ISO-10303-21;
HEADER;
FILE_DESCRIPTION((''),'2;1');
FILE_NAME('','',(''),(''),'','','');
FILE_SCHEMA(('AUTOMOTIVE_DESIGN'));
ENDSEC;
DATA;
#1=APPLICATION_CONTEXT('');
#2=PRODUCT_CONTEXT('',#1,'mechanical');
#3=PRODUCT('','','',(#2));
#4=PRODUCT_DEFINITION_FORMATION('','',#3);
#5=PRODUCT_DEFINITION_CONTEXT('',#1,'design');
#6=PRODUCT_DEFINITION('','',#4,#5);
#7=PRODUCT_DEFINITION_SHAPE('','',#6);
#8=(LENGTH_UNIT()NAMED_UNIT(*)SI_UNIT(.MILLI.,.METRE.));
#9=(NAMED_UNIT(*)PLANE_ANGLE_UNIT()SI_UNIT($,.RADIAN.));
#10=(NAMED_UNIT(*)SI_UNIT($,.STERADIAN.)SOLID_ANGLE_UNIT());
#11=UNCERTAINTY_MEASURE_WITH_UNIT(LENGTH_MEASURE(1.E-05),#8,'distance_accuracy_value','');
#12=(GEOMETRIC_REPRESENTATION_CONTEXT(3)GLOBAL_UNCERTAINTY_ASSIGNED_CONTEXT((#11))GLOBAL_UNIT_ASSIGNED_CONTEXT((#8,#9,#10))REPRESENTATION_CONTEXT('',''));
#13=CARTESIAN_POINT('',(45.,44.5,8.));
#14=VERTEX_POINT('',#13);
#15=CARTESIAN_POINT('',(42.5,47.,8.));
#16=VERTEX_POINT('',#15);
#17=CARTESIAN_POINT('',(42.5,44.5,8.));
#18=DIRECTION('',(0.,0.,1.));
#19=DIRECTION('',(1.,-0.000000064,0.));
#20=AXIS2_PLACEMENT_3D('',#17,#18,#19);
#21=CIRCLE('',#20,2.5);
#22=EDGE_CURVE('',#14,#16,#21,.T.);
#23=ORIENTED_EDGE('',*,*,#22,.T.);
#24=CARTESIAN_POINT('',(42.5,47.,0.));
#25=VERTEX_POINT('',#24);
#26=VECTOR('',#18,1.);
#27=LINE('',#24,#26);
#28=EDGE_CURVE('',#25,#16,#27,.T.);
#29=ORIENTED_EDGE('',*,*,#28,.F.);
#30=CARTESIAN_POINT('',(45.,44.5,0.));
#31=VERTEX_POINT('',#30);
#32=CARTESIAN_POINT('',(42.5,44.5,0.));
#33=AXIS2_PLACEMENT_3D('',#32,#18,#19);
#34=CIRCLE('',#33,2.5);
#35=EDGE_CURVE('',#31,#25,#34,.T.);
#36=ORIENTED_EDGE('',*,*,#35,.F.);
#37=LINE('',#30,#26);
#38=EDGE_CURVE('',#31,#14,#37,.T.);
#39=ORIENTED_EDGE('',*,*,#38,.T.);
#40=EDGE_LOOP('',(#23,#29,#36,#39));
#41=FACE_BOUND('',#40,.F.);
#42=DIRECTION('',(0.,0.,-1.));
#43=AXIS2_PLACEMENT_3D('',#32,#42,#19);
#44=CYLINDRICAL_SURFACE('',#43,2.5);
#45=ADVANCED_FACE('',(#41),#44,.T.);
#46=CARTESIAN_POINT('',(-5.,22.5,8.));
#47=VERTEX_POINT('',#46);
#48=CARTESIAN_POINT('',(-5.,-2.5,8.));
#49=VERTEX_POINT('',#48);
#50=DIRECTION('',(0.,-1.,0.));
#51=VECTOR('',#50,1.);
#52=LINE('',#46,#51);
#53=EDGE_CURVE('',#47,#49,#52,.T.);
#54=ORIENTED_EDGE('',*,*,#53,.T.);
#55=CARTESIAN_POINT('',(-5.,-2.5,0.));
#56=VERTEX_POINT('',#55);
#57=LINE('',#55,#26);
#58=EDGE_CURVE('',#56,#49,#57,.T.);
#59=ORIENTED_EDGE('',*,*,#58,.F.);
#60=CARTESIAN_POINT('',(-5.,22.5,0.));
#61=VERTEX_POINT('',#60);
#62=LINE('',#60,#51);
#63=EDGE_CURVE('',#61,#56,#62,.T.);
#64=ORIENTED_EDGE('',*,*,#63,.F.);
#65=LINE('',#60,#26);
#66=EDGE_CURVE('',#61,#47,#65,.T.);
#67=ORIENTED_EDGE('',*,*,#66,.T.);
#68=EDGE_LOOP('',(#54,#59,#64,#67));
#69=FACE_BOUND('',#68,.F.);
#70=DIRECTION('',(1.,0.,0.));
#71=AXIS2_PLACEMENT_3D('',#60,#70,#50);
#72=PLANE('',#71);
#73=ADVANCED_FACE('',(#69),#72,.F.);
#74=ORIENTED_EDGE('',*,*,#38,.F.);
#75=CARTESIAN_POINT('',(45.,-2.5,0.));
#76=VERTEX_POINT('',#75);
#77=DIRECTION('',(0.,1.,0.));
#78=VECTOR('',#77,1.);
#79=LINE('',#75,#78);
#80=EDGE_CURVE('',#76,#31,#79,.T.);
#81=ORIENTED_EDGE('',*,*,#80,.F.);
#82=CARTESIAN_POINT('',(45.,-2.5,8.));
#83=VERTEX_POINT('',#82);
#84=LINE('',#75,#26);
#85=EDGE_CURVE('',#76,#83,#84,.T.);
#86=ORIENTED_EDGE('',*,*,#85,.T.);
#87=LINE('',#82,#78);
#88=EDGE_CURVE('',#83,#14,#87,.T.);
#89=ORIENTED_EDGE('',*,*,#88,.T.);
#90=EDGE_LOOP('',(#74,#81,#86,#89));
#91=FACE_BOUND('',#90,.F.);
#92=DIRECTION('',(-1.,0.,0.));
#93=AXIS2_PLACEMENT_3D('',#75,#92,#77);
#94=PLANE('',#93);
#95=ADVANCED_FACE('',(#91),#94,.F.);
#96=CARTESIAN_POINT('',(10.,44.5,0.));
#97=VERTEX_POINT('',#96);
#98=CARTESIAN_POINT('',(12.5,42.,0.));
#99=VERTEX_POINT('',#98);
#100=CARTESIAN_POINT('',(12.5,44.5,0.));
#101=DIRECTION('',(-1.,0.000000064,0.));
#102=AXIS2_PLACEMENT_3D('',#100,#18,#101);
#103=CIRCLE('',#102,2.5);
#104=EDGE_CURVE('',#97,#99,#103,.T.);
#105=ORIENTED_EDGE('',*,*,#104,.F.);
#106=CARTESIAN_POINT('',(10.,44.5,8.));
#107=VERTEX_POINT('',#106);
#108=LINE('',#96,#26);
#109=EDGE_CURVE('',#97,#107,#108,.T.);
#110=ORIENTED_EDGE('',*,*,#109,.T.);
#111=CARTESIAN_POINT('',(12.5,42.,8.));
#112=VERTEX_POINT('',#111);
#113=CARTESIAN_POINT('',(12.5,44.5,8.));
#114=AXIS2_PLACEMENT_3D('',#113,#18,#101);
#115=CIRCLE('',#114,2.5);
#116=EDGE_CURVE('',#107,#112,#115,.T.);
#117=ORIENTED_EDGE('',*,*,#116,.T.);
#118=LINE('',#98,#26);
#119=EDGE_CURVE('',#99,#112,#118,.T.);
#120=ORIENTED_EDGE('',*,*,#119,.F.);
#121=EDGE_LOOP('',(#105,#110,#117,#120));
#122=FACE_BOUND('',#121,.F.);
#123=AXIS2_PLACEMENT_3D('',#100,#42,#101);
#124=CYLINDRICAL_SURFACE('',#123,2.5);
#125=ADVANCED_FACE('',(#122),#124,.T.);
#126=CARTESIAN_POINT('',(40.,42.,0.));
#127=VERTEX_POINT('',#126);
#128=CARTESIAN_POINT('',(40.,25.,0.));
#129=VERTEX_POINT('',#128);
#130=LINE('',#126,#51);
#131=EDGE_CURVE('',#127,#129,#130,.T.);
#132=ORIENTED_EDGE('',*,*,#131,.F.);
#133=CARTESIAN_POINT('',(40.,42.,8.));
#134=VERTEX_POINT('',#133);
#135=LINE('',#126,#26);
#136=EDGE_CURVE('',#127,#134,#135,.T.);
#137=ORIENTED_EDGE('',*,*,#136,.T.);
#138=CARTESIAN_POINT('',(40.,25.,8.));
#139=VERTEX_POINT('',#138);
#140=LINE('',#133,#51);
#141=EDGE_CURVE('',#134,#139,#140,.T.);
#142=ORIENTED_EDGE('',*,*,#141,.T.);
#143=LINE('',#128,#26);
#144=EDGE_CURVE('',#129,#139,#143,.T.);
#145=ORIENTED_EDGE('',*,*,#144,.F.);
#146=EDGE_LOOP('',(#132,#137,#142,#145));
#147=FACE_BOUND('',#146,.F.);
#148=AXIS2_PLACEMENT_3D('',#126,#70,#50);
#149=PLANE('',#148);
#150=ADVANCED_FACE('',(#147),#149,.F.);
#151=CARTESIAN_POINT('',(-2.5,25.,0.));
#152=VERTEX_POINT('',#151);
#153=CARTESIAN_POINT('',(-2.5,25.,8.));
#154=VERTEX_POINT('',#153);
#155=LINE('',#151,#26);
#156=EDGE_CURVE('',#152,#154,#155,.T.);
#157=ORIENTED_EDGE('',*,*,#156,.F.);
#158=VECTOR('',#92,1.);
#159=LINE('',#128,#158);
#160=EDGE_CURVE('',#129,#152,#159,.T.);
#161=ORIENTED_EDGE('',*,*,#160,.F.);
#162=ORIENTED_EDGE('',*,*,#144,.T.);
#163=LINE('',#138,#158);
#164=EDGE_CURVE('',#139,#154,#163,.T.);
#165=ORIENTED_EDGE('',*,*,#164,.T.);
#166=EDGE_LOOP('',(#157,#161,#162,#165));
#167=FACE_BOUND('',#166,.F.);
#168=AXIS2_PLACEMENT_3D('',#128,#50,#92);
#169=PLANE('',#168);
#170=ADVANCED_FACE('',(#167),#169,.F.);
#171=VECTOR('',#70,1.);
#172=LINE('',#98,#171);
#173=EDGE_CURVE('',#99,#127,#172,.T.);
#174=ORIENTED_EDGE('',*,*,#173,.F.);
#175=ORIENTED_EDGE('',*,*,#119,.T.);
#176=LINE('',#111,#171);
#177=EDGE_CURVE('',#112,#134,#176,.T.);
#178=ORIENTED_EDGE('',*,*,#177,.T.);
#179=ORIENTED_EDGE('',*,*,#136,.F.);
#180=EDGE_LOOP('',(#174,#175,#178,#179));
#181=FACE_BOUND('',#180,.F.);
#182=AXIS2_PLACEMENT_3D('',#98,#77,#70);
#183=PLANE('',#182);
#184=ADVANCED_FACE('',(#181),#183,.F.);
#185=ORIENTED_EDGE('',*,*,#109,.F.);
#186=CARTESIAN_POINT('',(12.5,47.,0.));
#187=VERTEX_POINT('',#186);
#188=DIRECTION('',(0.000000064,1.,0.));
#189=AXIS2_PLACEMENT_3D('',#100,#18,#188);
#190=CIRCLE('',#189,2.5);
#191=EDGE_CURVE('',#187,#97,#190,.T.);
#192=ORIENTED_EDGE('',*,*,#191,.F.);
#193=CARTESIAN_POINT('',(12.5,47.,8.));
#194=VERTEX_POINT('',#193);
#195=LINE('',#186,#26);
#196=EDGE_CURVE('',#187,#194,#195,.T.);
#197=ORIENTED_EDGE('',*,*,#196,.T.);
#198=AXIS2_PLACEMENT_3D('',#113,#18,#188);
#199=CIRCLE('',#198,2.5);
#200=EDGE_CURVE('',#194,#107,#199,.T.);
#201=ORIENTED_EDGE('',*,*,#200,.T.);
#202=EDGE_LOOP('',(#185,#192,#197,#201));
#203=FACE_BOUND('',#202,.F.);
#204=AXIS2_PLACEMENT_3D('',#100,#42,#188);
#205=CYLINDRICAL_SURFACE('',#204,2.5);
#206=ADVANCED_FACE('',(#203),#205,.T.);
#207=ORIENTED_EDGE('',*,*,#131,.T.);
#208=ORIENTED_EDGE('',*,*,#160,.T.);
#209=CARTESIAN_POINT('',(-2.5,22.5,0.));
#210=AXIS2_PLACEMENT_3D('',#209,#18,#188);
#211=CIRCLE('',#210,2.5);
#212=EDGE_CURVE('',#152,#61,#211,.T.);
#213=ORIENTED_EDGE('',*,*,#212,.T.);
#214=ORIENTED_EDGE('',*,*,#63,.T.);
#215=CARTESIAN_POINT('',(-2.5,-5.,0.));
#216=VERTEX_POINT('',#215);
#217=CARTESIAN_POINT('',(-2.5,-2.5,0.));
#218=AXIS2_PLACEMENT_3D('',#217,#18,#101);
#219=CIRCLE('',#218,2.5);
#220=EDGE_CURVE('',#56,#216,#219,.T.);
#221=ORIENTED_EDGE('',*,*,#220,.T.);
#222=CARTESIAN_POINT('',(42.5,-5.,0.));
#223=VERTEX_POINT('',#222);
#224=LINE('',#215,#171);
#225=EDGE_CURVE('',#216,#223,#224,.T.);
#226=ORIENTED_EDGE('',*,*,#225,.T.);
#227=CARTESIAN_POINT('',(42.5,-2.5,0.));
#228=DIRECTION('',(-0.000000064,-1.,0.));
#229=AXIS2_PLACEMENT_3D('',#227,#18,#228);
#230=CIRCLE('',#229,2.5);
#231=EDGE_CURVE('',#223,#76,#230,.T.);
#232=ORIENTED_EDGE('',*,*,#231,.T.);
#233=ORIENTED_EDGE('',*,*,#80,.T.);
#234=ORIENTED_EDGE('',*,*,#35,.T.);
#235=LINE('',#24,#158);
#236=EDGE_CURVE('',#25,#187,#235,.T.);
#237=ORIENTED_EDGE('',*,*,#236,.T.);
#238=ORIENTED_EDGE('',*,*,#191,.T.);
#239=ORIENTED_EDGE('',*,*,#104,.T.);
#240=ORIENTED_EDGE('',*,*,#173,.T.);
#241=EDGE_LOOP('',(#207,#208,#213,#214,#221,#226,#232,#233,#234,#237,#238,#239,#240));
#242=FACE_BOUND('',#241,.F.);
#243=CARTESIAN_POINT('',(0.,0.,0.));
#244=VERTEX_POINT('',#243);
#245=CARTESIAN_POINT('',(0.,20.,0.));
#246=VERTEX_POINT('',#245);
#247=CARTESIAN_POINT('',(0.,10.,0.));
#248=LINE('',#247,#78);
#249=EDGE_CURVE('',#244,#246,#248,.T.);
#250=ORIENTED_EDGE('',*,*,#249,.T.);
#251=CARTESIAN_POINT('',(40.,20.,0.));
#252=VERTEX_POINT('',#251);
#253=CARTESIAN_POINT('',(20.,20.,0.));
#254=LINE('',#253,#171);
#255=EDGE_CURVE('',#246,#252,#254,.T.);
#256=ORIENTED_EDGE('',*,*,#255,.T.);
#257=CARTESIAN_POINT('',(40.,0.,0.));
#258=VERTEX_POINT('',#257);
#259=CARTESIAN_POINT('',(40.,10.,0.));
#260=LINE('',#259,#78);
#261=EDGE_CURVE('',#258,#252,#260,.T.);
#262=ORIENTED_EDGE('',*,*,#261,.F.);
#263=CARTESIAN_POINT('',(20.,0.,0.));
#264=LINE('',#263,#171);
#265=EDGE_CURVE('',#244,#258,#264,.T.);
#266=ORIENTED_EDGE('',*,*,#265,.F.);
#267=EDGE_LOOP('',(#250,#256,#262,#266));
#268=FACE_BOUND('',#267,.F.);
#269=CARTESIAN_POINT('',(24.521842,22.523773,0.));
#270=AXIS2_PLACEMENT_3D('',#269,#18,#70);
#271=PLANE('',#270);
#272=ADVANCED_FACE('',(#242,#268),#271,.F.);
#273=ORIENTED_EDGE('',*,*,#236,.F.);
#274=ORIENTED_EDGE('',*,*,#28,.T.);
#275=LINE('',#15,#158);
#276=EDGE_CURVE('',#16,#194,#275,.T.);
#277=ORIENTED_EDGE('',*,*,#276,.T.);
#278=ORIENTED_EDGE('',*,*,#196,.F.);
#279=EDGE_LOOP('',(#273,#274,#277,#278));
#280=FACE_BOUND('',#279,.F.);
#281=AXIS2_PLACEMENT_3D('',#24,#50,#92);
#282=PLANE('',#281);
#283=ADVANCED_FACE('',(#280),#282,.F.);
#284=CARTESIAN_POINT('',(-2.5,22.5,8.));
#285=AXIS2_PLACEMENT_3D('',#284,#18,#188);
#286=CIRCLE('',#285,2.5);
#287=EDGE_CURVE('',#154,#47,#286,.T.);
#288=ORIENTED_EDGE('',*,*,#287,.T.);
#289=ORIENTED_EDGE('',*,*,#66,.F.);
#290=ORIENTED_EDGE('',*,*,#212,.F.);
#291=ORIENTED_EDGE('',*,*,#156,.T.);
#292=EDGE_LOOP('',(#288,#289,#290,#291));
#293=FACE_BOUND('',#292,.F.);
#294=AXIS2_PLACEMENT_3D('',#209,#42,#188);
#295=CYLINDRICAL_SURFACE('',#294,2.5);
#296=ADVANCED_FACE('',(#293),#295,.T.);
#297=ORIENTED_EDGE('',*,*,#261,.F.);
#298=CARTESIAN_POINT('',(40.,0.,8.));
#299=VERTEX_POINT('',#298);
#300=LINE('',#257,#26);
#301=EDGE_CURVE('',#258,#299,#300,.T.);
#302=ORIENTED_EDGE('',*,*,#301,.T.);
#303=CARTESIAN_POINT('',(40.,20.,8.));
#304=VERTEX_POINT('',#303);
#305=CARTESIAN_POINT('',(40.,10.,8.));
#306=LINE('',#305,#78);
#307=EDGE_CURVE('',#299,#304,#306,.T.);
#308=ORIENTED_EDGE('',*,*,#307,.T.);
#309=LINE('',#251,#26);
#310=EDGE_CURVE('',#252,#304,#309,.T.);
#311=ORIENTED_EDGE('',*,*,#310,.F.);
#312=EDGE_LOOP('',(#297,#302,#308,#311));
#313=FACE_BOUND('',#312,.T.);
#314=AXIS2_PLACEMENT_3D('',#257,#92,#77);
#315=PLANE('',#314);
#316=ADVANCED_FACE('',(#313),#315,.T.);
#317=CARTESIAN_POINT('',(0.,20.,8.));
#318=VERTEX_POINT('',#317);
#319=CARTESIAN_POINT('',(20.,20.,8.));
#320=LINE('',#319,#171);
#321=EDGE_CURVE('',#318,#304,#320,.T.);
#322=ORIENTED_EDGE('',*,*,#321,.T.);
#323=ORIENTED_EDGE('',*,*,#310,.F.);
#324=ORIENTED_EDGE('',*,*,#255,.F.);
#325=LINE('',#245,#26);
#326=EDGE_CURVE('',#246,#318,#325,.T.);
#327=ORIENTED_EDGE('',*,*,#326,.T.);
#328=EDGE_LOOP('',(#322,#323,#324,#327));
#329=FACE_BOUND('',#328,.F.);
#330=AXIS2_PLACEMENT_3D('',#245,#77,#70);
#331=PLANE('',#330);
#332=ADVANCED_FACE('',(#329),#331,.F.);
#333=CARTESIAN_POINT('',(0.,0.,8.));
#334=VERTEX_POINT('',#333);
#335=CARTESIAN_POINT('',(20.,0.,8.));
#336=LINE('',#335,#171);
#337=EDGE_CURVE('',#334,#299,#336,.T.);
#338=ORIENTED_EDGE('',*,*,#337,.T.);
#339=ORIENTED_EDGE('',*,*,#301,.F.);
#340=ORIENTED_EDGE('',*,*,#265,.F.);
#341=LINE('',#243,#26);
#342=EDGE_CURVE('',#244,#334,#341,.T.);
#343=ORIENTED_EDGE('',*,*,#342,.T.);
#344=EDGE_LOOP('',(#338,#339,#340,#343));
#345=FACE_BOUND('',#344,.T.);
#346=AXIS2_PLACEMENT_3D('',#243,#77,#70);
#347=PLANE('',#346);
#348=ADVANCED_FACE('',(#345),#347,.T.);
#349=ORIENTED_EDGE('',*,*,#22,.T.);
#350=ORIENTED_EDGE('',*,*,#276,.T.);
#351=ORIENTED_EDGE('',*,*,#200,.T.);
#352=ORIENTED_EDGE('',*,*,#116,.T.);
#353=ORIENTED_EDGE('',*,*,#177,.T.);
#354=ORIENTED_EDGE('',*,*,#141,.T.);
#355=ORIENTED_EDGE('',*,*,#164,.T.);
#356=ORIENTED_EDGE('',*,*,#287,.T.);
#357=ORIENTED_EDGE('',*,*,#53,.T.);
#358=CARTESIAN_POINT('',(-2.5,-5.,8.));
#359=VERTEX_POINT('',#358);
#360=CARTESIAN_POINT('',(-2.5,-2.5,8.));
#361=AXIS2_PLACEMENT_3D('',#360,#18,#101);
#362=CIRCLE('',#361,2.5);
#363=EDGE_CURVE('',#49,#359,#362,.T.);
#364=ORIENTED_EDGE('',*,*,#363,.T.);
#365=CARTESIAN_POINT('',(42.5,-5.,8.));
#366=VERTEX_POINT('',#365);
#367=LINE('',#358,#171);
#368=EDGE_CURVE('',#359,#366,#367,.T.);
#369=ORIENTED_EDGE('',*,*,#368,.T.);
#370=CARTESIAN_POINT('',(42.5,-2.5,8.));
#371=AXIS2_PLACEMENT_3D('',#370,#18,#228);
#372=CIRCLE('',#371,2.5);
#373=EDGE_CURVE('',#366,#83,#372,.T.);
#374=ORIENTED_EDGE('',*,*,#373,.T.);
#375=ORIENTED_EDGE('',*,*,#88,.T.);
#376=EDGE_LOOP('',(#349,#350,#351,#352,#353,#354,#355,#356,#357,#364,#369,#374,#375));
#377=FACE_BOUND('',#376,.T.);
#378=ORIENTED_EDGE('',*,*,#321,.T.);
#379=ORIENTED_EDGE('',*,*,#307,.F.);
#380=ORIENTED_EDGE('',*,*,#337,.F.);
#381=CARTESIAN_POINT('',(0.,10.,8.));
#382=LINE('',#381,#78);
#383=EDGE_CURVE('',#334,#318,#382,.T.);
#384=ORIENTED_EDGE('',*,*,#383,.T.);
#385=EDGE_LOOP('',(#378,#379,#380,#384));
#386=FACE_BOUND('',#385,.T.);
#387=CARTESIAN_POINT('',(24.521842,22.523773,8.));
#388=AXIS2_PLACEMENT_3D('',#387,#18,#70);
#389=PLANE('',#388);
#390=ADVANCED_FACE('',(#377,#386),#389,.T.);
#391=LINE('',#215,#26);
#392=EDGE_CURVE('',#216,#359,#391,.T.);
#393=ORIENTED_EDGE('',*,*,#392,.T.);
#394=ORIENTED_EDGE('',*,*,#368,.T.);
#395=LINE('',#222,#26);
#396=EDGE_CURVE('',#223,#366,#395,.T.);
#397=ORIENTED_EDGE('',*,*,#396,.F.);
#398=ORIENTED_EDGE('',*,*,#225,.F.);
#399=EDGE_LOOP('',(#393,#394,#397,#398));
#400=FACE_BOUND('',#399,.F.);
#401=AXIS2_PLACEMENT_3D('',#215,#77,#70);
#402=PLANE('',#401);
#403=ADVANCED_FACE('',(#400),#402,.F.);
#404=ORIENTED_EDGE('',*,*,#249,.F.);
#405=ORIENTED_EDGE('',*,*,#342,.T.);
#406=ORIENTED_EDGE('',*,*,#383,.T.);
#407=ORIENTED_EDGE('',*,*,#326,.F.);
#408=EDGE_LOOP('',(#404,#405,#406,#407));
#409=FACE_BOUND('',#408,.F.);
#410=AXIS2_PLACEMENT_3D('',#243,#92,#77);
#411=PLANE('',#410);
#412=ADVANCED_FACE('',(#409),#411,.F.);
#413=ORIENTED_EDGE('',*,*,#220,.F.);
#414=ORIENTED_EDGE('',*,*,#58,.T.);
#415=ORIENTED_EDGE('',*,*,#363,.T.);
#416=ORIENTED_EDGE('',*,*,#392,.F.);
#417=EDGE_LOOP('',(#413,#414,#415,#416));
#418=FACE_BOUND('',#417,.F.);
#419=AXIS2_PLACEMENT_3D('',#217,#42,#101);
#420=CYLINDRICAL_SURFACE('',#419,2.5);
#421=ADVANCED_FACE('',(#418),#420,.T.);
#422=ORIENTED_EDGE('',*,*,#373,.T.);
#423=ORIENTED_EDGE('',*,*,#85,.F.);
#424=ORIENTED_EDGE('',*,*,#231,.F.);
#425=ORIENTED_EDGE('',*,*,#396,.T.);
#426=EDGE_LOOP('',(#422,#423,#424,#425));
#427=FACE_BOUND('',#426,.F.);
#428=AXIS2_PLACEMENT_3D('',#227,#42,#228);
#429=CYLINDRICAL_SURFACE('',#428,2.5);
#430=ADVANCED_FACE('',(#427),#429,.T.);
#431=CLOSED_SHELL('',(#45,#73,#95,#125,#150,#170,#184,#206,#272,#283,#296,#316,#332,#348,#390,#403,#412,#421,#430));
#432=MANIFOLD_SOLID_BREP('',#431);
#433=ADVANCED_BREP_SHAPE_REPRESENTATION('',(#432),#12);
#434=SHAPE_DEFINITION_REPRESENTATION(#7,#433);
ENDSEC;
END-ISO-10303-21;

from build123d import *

# Parameters (mm, degrees)
F0_W     = 40
F0_H     = 20
F1_DEPTH = 8


with BuildPart() as f1:
    # F0 (on Top) → F1 (new body)
    with BuildSketch(Plane.XY):
        with BuildLine():
            Line((40, 25), (-2.5, 25))
            ThreePointArc((-2.5, 25), (-4.267767, 24.267767), (-5, 22.5))
            Line((-5, 22.5), (-5, -2.5))
            ThreePointArc((-5, -2.5), (-4.267767, -4.267767), (-2.5, -5))
            Line((-2.5, -5), (42.5, -5))
            ThreePointArc((42.5, -5), (44.267767, -4.267767), (45, -2.5))
            Line((45, -2.5), (45, 25))
            Line((45, 25), (45, 44.5))
            ThreePointArc((45, 44.5), (44.267767, 46.267767), (42.5, 47))
            Line((42.5, 47), (12.5, 47))
            ThreePointArc((12.5, 47), (10.732233, 46.267767), (10, 44.5))
            ThreePointArc((10, 44.5), (10.732233, 42.732233), (12.5, 42))
            Line((12.5, 42), (40, 42))
            Line((40, 42), (40, 25))
        make_face()
        with Locations((20, 10)):
            Rectangle(F0_W, F0_H, mode=Mode.SUBTRACT)
    extrude(amount=F1_DEPTH)


solid = f1.part
